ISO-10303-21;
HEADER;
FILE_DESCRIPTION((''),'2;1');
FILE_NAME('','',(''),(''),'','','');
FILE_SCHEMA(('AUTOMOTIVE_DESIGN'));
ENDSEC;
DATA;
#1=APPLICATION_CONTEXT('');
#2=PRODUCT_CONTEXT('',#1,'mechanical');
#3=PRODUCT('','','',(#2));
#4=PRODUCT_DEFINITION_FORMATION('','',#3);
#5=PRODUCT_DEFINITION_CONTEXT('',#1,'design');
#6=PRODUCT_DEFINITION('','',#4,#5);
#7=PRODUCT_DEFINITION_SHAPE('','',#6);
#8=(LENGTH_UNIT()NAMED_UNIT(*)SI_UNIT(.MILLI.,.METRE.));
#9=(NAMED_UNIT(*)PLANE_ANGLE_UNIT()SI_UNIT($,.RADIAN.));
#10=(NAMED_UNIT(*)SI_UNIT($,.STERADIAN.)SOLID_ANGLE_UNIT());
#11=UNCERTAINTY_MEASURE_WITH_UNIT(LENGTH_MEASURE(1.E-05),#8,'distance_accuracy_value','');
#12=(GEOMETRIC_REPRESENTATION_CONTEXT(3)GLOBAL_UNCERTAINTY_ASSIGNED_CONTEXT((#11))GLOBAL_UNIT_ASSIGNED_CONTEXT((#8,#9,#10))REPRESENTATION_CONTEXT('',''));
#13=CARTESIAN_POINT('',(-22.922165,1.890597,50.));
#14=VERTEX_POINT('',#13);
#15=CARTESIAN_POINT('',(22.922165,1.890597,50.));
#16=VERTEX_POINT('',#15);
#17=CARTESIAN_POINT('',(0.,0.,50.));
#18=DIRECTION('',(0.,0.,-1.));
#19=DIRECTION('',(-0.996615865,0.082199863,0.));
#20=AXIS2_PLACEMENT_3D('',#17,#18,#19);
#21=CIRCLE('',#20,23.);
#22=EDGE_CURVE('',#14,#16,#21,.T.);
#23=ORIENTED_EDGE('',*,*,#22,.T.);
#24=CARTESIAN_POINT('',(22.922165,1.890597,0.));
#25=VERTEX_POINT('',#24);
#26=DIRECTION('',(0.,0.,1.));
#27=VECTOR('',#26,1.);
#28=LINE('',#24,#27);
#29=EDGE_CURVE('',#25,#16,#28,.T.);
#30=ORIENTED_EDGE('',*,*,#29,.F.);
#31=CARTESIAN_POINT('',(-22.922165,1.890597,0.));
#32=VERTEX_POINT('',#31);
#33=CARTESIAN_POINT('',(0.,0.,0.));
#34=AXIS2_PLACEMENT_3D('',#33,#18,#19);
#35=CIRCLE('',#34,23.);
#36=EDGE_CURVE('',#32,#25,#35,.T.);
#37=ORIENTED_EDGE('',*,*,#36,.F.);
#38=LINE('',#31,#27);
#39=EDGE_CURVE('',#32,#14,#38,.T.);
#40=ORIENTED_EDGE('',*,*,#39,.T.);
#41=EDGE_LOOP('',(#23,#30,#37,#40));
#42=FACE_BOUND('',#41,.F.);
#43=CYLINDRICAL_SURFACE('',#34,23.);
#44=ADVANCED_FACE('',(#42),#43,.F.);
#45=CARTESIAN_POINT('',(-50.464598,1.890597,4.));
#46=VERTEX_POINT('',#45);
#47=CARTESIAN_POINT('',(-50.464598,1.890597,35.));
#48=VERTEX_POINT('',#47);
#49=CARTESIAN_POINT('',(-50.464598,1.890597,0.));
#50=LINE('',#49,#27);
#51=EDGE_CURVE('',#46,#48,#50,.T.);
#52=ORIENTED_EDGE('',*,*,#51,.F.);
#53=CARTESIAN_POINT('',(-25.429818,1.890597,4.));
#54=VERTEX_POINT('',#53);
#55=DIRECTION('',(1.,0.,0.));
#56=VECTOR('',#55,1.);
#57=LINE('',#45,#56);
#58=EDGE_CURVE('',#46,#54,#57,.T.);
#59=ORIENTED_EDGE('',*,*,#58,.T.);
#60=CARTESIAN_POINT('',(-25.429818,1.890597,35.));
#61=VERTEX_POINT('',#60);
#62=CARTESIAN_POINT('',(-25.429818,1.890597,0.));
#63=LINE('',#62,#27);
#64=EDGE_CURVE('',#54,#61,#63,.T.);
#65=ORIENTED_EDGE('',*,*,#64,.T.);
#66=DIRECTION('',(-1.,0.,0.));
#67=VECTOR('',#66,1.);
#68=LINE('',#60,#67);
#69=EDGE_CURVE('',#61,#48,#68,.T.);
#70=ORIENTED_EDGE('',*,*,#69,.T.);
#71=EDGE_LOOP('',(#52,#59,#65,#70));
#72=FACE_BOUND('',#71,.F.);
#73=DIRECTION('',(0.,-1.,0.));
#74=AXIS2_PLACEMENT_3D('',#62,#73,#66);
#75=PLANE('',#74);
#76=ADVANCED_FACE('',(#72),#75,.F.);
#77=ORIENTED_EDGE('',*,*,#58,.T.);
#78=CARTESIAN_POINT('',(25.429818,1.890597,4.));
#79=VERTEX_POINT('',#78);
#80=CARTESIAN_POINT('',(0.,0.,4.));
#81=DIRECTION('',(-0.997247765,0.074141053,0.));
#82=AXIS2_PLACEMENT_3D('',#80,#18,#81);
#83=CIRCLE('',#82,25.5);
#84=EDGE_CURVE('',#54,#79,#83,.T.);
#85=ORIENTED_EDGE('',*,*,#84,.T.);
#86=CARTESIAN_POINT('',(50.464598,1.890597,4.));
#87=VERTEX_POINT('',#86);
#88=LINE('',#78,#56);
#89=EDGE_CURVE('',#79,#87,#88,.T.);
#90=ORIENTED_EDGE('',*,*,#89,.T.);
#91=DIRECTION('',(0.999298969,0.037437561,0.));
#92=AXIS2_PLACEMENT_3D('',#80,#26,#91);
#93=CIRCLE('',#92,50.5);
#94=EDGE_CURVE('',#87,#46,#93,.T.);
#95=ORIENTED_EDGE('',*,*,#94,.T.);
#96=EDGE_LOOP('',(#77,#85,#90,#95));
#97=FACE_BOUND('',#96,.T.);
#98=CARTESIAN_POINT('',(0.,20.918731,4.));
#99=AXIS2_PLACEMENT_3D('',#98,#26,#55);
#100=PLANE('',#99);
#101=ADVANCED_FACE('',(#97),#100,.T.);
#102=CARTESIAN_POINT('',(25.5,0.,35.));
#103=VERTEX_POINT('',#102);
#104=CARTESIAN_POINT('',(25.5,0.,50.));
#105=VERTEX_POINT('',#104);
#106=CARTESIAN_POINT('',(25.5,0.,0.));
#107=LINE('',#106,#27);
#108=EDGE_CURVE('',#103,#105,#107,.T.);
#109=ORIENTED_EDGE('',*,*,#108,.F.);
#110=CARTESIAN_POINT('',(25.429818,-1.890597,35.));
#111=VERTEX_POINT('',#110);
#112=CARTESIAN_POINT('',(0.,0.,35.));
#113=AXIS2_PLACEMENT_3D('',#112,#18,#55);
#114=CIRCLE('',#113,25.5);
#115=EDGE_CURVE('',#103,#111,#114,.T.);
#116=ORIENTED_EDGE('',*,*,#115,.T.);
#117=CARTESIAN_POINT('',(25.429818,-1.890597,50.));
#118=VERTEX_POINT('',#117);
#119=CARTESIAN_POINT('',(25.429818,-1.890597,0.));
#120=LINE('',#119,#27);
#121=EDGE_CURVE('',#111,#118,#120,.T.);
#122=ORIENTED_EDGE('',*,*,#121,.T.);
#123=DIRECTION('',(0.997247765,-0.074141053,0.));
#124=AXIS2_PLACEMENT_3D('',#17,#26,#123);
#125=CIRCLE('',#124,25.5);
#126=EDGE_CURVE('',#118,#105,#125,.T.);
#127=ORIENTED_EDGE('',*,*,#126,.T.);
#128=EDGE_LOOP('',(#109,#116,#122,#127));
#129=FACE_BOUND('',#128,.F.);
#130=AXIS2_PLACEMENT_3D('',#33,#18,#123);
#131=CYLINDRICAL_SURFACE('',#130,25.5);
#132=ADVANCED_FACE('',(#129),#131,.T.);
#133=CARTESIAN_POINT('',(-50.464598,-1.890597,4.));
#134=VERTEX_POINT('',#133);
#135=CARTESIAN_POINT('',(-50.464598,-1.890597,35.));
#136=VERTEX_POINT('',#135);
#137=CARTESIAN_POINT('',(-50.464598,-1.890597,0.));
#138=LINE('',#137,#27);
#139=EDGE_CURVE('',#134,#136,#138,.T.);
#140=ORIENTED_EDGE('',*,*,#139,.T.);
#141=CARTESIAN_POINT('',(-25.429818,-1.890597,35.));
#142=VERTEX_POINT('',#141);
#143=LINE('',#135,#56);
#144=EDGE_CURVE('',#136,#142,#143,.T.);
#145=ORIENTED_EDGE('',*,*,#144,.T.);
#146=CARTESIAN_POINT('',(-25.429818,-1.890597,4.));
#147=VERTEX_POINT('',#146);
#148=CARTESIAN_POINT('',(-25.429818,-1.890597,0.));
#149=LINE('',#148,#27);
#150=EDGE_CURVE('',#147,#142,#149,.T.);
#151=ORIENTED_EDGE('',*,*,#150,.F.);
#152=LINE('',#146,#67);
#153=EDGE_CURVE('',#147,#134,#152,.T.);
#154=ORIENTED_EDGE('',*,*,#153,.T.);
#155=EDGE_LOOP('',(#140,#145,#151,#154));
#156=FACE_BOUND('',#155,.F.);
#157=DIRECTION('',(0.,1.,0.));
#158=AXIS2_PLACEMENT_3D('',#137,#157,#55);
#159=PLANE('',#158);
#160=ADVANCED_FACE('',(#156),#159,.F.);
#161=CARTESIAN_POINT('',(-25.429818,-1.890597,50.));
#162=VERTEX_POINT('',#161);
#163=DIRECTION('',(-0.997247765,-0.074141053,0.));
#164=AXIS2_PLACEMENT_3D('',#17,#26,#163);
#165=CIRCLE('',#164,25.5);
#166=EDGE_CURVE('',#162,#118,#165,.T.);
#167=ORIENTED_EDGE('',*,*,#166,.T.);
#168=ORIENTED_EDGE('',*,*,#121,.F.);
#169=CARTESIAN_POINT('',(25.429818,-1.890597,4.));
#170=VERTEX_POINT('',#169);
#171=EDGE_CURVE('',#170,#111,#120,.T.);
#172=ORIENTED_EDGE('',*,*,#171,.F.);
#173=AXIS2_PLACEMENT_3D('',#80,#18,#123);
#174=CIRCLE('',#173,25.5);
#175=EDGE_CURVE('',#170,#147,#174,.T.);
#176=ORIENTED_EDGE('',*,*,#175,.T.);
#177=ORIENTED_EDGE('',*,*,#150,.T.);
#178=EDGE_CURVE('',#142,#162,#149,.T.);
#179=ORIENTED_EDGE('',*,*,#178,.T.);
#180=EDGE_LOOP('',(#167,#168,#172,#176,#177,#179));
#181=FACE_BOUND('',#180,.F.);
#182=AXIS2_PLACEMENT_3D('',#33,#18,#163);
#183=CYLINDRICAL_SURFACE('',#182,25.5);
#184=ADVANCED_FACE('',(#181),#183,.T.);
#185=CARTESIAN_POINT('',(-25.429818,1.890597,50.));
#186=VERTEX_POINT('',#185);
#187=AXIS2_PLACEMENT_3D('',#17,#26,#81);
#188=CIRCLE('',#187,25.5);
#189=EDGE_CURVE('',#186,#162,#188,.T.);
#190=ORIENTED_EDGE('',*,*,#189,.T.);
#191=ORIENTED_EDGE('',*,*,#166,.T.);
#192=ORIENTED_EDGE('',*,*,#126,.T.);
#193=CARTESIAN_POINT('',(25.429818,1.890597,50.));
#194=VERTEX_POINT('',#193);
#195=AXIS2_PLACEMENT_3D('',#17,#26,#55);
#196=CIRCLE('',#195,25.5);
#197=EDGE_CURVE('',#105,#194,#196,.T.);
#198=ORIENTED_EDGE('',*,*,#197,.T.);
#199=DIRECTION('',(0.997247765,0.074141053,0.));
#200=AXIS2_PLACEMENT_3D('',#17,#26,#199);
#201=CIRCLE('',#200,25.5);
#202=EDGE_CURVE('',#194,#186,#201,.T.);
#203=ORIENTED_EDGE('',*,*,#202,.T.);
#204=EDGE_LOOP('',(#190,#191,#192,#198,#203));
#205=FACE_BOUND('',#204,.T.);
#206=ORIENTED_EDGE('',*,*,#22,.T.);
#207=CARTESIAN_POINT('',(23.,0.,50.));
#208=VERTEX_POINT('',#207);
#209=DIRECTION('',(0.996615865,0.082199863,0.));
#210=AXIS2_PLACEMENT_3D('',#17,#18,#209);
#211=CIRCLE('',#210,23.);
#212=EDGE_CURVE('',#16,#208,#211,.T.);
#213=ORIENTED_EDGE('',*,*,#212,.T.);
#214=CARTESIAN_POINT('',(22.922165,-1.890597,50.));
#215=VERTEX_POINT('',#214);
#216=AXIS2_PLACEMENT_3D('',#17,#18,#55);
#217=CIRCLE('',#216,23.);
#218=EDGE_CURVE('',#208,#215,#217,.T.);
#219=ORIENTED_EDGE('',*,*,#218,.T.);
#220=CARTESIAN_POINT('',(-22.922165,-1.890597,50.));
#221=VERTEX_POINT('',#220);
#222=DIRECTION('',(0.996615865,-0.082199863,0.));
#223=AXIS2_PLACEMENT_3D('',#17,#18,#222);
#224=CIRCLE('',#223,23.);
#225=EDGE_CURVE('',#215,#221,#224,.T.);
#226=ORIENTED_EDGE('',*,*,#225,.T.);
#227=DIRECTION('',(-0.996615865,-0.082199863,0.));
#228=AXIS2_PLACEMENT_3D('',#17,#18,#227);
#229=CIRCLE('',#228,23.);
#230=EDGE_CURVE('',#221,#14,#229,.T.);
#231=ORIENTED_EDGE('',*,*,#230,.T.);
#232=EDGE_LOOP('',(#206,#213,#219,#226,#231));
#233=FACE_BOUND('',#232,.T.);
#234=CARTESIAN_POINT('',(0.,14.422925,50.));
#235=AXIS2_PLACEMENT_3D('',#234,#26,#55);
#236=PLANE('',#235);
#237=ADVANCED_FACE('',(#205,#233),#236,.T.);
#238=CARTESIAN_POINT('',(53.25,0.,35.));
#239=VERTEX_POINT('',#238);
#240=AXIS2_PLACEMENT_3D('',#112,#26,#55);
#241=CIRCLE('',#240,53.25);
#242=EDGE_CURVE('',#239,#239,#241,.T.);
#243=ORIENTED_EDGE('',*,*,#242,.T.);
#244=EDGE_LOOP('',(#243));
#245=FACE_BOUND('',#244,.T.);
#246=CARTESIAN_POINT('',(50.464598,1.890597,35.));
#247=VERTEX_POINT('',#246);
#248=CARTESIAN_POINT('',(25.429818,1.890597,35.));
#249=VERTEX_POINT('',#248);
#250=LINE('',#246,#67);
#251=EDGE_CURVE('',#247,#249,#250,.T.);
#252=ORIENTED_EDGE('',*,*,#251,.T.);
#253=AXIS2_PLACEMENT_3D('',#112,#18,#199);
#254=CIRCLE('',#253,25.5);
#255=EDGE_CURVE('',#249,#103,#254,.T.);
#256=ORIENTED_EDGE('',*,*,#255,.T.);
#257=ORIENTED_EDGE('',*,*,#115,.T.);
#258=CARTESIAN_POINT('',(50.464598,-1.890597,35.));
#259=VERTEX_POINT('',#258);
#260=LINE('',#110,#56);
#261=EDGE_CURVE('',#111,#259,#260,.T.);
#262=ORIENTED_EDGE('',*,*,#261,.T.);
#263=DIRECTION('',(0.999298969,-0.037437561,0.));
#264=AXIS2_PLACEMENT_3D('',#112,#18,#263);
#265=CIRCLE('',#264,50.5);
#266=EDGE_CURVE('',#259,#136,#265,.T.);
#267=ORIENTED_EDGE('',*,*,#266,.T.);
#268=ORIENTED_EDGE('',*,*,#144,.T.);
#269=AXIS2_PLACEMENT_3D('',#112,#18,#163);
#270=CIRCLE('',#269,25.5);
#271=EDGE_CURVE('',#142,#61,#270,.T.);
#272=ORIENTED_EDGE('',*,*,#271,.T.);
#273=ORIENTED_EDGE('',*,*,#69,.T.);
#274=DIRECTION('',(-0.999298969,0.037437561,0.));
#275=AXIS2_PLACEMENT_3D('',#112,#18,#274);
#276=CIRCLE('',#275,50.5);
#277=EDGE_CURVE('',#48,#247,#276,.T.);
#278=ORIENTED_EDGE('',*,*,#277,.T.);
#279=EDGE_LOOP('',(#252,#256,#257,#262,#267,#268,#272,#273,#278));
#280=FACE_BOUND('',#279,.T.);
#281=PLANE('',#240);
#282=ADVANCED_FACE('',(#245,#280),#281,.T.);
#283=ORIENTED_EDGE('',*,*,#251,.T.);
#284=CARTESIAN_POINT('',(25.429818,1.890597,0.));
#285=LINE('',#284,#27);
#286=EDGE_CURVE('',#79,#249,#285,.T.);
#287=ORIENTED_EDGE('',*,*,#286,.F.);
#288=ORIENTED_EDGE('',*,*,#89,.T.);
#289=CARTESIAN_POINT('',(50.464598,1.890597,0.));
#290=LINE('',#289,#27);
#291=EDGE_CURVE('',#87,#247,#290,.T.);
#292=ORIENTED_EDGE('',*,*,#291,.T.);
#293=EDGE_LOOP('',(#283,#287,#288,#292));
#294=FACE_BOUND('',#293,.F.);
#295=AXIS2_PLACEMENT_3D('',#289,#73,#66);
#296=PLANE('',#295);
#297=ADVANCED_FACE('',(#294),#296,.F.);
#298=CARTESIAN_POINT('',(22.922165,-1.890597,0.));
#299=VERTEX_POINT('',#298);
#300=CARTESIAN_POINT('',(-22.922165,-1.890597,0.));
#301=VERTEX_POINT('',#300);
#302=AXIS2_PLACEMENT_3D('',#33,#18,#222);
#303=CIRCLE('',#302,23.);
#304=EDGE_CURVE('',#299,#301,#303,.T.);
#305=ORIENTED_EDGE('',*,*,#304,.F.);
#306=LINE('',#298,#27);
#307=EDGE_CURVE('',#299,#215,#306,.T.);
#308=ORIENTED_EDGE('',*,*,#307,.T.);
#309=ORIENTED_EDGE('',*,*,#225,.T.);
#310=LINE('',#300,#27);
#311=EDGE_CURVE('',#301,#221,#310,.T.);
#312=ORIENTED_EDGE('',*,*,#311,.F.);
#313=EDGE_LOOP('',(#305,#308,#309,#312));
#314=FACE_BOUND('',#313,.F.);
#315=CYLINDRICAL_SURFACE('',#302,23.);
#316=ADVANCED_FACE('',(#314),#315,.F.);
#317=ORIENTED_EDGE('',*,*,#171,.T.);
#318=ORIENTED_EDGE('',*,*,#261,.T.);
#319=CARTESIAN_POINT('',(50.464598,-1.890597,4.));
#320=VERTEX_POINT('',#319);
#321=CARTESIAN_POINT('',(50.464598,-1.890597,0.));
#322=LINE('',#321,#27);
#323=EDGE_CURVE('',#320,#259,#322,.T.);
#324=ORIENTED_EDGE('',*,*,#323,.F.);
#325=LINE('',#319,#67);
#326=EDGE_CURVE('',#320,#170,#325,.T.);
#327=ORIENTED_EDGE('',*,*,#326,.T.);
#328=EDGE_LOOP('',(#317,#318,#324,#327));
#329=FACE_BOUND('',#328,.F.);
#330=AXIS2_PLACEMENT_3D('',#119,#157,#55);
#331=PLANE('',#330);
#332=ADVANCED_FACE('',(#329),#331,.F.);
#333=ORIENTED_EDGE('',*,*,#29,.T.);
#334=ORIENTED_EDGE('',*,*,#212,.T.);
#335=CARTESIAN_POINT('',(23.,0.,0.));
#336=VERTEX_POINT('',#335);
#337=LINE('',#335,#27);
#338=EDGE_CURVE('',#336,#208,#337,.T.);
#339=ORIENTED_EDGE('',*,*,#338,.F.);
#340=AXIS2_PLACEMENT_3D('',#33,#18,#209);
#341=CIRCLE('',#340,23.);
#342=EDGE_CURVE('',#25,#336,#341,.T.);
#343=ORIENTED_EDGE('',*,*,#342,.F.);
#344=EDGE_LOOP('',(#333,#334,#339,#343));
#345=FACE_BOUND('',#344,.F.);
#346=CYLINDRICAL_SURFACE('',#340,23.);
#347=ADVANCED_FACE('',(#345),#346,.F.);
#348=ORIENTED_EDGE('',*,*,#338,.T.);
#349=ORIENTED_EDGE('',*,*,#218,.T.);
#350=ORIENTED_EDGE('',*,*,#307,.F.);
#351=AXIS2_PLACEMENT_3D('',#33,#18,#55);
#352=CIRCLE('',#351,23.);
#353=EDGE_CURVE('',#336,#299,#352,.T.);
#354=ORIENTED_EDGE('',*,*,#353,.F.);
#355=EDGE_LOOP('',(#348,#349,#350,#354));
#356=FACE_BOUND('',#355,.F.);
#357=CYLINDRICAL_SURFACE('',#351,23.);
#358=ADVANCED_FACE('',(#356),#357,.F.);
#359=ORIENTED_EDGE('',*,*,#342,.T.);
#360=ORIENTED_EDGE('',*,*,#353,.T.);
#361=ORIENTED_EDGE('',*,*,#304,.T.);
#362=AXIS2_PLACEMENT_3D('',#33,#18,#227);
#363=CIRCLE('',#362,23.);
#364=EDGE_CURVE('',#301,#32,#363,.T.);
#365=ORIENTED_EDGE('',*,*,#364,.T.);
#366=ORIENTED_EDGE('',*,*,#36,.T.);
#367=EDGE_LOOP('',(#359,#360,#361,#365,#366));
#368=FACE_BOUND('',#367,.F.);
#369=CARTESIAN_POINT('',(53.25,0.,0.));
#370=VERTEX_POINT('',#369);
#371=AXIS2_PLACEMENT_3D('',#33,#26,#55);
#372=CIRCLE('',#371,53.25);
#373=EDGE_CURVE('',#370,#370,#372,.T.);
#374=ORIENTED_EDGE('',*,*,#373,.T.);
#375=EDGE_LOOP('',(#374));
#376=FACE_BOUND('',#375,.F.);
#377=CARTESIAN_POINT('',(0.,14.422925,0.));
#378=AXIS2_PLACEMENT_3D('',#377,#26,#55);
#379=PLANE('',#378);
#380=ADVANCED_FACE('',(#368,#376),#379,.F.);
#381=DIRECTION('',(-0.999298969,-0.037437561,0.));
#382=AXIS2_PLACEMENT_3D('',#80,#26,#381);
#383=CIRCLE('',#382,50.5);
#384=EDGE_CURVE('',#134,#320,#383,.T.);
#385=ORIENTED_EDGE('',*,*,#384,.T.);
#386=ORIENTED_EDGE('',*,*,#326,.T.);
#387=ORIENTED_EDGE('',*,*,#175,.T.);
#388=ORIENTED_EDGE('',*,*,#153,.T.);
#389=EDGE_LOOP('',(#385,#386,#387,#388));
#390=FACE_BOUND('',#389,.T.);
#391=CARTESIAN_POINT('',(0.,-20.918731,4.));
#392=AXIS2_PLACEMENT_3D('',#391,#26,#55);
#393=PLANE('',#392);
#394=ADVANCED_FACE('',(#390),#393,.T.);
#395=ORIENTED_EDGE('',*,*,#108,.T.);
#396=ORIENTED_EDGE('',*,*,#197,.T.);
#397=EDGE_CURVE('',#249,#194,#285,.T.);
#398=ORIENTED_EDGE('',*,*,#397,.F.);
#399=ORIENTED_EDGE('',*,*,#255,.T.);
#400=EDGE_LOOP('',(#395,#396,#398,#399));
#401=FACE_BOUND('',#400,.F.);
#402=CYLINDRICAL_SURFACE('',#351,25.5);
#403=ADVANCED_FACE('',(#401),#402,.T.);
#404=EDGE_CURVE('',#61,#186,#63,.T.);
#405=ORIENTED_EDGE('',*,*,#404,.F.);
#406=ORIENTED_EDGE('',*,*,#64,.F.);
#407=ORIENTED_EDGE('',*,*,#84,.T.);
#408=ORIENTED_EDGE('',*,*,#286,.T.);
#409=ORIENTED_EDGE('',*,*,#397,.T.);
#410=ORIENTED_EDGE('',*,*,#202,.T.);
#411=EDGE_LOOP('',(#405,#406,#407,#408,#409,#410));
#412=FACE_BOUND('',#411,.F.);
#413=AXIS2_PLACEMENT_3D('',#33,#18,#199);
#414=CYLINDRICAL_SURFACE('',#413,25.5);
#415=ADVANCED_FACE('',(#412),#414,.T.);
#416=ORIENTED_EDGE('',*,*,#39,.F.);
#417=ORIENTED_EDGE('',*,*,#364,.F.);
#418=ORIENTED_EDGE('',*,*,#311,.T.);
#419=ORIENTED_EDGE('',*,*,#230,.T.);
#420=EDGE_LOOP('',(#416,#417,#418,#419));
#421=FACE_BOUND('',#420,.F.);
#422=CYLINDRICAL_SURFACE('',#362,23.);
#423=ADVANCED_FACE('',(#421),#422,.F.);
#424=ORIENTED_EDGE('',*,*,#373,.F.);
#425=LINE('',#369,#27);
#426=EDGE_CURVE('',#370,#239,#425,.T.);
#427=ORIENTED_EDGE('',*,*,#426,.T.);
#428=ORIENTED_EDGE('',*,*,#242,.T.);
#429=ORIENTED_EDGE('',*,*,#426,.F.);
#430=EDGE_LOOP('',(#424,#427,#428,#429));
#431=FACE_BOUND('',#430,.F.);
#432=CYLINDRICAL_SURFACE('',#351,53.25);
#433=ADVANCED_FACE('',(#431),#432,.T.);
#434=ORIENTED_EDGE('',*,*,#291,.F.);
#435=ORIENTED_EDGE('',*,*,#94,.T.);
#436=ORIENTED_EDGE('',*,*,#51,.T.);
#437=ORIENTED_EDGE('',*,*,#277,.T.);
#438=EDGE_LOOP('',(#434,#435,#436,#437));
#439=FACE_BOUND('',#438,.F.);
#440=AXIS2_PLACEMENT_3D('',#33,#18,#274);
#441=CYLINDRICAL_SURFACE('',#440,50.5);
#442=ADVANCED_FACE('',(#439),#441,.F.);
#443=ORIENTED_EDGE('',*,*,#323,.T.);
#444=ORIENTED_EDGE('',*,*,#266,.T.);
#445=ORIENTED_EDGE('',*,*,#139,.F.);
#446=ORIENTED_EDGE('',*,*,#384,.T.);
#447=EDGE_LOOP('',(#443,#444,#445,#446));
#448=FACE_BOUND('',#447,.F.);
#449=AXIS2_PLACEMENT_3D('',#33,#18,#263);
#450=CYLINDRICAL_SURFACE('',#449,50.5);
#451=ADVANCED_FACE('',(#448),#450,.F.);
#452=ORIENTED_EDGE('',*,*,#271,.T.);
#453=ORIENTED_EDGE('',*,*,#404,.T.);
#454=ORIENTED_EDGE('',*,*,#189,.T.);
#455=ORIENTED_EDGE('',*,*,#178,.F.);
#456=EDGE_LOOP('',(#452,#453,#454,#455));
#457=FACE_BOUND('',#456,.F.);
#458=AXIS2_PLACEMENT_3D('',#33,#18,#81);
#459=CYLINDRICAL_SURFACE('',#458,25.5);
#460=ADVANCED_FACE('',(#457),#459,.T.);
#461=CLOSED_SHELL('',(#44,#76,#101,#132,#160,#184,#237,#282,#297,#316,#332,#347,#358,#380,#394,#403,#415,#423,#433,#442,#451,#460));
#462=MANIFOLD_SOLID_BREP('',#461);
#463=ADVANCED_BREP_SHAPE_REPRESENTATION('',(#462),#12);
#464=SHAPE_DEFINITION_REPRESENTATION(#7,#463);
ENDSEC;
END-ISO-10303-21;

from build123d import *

# Parameters (mm, degrees)
F0_R     = 53.25
F1_DEPTH = 35
F2_DEPTH = 4
F3_DEPTH = 50


with BuildPart() as f1:
    # F0 (on Top) → F1 (new body)
    with BuildSketch(Plane.XY):
        Circle(F0_R)
        with BuildLine():
            ThreePointArc((-50.4645979232, 1.8905968509), (0, 50.5), (50.4645979232, 1.8905968509))
            ThreePointArc((50.4645979232, 1.8905968509), (50.4911487051, 0.94546414), (50.5, 0))
            ThreePointArc((50.5, 0), (50.4911487051, -0.94546414), (50.4645979232, -1.8905968509))
            ThreePointArc((50.4645979232, -1.8905968509), (0, -50.5), (-50.4645979232, -1.8905968509))
            ThreePointArc((-50.4645979232, -1.8905968509), (-50.5, 0), (-50.4645979232, 1.8905968509))
        make_face(mode=Mode.SUBTRACT)
        with BuildLine():
            ThreePointArc((-25.4298180007, -1.8905968509), (-25.5, 0), (-25.4298180007, 1.8905968509))
            Line((-25.4298180007, 1.8905968509), (-50.4645979232, 1.8905968509))
            ThreePointArc((-50.4645979232, 1.8905968509), (-50.5, 0), (-50.4645979232, -1.8905968509))
            Line((-50.4645979232, -1.8905968509), (-25.4298180007, -1.8905968509))
        make_face()
        with BuildLine():
            Line((50.4645979232, 1.8905968509), (25.4298180007, 1.8905968509))
            ThreePointArc((25.4298180007, 1.8905968509), (25.4824484598, 0.9459495184), (25.5, 0))
            ThreePointArc((25.5, 0), (25.4824484598, -0.9459495184), (25.4298180007, -1.8905968509))
            Line((25.4298180007, -1.8905968509), (50.4645979232, -1.8905968509))
            ThreePointArc((50.4645979232, -1.8905968509), (50.4911487051, -0.94546414), (50.5, 0))
            ThreePointArc((50.5, 0), (50.4911487051, 0.94546414), (50.4645979232, 1.8905968509))
        make_face()
    extrude(amount=F1_DEPTH)

    # F0 (on Top) → F2 (join)
    with BuildSketch(Plane.XY):
        with BuildLine():
            ThreePointArc((-25.4298180007, 1.8905968509), (0, 25.5), (25.4298180007, 1.8905968509))
            Line((25.4298180007, 1.8905968509), (50.4645979232, 1.8905968509))
            ThreePointArc((50.4645979232, 1.8905968509), (0, 50.5), (-50.4645979232, 1.8905968509))
            Line((-50.4645979232, 1.8905968509), (-25.4298180007, 1.8905968509))
        make_face()
        with BuildLine():
            Line((50.4645979232, -1.8905968509), (25.4298180007, -1.8905968509))
            ThreePointArc((25.4298180007, -1.8905968509), (0, -25.5), (-25.4298180007, -1.8905968509))
            Line((-25.4298180007, -1.8905968509), (-50.4645979232, -1.8905968509))
            ThreePointArc((-50.4645979232, -1.8905968509), (0, -50.5), (50.4645979232, -1.8905968509))
        make_face()
    extrude(amount=F2_DEPTH)

    # F0 (on Top) → F3 (join)
    with BuildSketch(Plane.XY):
        with BuildLine():
            ThreePointArc((-22.9221648966, 1.8905968509), (0, 23), (22.9221648966, 1.8905968509))
            Line((22.9221648966, 1.8905968509), (25.4298180007, 1.8905968509))
            ThreePointArc((25.4298180007, 1.8905968509), (0, 25.5), (-25.4298180007, 1.8905968509))
            Line((-25.4298180007, 1.8905968509), (-22.9221648966, 1.8905968509))
        make_face()
        with BuildLine():
            Line((25.4298180007, -1.8905968509), (22.9221648966, -1.8905968509))
            ThreePointArc((22.9221648966, -1.8905968509), (0, -23), (-22.9221648966, -1.8905968509))
            Line((-22.9221648966, -1.8905968509), (-25.4298180007, -1.8905968509))
            ThreePointArc((-25.4298180007, -1.8905968509), (0, -25.5), (25.4298180007, -1.8905968509))
        make_face()
        with BuildLine():
            ThreePointArc((-22.9221648966, -1.8905968509), (-23, 0), (-22.9221648966, 1.8905968509))
            Line((-22.9221648966, 1.8905968509), (-25.4298180007, 1.8905968509))
            ThreePointArc((-25.4298180007, 1.8905968509), (-25.5, 0), (-25.4298180007, -1.8905968509))
            Line((-25.4298180007, -1.8905968509), (-22.9221648966, -1.8905968509))
        make_face()
        with BuildLine():
            ThreePointArc((22.9221648966, 1.8905968509), (22.9805329858, 0.9460991962), (23, 0))
            ThreePointArc((23, 0), (22.9805329858, -0.9460991962), (22.9221648966, -1.8905968509))
            Line((22.9221648966, -1.8905968509), (25.4298180007, -1.8905968509))
            ThreePointArc((25.4298180007, -1.8905968509), (25.4824484598, -0.9459495184), (25.5, 0))
            ThreePointArc((25.5, 0), (25.4824484598, 0.9459495184), (25.4298180007, 1.8905968509))
            Line((25.4298180007, 1.8905968509), (22.9221648966, 1.8905968509))
        make_face()
    extrude(amount=F3_DEPTH)


solid = f1.part
